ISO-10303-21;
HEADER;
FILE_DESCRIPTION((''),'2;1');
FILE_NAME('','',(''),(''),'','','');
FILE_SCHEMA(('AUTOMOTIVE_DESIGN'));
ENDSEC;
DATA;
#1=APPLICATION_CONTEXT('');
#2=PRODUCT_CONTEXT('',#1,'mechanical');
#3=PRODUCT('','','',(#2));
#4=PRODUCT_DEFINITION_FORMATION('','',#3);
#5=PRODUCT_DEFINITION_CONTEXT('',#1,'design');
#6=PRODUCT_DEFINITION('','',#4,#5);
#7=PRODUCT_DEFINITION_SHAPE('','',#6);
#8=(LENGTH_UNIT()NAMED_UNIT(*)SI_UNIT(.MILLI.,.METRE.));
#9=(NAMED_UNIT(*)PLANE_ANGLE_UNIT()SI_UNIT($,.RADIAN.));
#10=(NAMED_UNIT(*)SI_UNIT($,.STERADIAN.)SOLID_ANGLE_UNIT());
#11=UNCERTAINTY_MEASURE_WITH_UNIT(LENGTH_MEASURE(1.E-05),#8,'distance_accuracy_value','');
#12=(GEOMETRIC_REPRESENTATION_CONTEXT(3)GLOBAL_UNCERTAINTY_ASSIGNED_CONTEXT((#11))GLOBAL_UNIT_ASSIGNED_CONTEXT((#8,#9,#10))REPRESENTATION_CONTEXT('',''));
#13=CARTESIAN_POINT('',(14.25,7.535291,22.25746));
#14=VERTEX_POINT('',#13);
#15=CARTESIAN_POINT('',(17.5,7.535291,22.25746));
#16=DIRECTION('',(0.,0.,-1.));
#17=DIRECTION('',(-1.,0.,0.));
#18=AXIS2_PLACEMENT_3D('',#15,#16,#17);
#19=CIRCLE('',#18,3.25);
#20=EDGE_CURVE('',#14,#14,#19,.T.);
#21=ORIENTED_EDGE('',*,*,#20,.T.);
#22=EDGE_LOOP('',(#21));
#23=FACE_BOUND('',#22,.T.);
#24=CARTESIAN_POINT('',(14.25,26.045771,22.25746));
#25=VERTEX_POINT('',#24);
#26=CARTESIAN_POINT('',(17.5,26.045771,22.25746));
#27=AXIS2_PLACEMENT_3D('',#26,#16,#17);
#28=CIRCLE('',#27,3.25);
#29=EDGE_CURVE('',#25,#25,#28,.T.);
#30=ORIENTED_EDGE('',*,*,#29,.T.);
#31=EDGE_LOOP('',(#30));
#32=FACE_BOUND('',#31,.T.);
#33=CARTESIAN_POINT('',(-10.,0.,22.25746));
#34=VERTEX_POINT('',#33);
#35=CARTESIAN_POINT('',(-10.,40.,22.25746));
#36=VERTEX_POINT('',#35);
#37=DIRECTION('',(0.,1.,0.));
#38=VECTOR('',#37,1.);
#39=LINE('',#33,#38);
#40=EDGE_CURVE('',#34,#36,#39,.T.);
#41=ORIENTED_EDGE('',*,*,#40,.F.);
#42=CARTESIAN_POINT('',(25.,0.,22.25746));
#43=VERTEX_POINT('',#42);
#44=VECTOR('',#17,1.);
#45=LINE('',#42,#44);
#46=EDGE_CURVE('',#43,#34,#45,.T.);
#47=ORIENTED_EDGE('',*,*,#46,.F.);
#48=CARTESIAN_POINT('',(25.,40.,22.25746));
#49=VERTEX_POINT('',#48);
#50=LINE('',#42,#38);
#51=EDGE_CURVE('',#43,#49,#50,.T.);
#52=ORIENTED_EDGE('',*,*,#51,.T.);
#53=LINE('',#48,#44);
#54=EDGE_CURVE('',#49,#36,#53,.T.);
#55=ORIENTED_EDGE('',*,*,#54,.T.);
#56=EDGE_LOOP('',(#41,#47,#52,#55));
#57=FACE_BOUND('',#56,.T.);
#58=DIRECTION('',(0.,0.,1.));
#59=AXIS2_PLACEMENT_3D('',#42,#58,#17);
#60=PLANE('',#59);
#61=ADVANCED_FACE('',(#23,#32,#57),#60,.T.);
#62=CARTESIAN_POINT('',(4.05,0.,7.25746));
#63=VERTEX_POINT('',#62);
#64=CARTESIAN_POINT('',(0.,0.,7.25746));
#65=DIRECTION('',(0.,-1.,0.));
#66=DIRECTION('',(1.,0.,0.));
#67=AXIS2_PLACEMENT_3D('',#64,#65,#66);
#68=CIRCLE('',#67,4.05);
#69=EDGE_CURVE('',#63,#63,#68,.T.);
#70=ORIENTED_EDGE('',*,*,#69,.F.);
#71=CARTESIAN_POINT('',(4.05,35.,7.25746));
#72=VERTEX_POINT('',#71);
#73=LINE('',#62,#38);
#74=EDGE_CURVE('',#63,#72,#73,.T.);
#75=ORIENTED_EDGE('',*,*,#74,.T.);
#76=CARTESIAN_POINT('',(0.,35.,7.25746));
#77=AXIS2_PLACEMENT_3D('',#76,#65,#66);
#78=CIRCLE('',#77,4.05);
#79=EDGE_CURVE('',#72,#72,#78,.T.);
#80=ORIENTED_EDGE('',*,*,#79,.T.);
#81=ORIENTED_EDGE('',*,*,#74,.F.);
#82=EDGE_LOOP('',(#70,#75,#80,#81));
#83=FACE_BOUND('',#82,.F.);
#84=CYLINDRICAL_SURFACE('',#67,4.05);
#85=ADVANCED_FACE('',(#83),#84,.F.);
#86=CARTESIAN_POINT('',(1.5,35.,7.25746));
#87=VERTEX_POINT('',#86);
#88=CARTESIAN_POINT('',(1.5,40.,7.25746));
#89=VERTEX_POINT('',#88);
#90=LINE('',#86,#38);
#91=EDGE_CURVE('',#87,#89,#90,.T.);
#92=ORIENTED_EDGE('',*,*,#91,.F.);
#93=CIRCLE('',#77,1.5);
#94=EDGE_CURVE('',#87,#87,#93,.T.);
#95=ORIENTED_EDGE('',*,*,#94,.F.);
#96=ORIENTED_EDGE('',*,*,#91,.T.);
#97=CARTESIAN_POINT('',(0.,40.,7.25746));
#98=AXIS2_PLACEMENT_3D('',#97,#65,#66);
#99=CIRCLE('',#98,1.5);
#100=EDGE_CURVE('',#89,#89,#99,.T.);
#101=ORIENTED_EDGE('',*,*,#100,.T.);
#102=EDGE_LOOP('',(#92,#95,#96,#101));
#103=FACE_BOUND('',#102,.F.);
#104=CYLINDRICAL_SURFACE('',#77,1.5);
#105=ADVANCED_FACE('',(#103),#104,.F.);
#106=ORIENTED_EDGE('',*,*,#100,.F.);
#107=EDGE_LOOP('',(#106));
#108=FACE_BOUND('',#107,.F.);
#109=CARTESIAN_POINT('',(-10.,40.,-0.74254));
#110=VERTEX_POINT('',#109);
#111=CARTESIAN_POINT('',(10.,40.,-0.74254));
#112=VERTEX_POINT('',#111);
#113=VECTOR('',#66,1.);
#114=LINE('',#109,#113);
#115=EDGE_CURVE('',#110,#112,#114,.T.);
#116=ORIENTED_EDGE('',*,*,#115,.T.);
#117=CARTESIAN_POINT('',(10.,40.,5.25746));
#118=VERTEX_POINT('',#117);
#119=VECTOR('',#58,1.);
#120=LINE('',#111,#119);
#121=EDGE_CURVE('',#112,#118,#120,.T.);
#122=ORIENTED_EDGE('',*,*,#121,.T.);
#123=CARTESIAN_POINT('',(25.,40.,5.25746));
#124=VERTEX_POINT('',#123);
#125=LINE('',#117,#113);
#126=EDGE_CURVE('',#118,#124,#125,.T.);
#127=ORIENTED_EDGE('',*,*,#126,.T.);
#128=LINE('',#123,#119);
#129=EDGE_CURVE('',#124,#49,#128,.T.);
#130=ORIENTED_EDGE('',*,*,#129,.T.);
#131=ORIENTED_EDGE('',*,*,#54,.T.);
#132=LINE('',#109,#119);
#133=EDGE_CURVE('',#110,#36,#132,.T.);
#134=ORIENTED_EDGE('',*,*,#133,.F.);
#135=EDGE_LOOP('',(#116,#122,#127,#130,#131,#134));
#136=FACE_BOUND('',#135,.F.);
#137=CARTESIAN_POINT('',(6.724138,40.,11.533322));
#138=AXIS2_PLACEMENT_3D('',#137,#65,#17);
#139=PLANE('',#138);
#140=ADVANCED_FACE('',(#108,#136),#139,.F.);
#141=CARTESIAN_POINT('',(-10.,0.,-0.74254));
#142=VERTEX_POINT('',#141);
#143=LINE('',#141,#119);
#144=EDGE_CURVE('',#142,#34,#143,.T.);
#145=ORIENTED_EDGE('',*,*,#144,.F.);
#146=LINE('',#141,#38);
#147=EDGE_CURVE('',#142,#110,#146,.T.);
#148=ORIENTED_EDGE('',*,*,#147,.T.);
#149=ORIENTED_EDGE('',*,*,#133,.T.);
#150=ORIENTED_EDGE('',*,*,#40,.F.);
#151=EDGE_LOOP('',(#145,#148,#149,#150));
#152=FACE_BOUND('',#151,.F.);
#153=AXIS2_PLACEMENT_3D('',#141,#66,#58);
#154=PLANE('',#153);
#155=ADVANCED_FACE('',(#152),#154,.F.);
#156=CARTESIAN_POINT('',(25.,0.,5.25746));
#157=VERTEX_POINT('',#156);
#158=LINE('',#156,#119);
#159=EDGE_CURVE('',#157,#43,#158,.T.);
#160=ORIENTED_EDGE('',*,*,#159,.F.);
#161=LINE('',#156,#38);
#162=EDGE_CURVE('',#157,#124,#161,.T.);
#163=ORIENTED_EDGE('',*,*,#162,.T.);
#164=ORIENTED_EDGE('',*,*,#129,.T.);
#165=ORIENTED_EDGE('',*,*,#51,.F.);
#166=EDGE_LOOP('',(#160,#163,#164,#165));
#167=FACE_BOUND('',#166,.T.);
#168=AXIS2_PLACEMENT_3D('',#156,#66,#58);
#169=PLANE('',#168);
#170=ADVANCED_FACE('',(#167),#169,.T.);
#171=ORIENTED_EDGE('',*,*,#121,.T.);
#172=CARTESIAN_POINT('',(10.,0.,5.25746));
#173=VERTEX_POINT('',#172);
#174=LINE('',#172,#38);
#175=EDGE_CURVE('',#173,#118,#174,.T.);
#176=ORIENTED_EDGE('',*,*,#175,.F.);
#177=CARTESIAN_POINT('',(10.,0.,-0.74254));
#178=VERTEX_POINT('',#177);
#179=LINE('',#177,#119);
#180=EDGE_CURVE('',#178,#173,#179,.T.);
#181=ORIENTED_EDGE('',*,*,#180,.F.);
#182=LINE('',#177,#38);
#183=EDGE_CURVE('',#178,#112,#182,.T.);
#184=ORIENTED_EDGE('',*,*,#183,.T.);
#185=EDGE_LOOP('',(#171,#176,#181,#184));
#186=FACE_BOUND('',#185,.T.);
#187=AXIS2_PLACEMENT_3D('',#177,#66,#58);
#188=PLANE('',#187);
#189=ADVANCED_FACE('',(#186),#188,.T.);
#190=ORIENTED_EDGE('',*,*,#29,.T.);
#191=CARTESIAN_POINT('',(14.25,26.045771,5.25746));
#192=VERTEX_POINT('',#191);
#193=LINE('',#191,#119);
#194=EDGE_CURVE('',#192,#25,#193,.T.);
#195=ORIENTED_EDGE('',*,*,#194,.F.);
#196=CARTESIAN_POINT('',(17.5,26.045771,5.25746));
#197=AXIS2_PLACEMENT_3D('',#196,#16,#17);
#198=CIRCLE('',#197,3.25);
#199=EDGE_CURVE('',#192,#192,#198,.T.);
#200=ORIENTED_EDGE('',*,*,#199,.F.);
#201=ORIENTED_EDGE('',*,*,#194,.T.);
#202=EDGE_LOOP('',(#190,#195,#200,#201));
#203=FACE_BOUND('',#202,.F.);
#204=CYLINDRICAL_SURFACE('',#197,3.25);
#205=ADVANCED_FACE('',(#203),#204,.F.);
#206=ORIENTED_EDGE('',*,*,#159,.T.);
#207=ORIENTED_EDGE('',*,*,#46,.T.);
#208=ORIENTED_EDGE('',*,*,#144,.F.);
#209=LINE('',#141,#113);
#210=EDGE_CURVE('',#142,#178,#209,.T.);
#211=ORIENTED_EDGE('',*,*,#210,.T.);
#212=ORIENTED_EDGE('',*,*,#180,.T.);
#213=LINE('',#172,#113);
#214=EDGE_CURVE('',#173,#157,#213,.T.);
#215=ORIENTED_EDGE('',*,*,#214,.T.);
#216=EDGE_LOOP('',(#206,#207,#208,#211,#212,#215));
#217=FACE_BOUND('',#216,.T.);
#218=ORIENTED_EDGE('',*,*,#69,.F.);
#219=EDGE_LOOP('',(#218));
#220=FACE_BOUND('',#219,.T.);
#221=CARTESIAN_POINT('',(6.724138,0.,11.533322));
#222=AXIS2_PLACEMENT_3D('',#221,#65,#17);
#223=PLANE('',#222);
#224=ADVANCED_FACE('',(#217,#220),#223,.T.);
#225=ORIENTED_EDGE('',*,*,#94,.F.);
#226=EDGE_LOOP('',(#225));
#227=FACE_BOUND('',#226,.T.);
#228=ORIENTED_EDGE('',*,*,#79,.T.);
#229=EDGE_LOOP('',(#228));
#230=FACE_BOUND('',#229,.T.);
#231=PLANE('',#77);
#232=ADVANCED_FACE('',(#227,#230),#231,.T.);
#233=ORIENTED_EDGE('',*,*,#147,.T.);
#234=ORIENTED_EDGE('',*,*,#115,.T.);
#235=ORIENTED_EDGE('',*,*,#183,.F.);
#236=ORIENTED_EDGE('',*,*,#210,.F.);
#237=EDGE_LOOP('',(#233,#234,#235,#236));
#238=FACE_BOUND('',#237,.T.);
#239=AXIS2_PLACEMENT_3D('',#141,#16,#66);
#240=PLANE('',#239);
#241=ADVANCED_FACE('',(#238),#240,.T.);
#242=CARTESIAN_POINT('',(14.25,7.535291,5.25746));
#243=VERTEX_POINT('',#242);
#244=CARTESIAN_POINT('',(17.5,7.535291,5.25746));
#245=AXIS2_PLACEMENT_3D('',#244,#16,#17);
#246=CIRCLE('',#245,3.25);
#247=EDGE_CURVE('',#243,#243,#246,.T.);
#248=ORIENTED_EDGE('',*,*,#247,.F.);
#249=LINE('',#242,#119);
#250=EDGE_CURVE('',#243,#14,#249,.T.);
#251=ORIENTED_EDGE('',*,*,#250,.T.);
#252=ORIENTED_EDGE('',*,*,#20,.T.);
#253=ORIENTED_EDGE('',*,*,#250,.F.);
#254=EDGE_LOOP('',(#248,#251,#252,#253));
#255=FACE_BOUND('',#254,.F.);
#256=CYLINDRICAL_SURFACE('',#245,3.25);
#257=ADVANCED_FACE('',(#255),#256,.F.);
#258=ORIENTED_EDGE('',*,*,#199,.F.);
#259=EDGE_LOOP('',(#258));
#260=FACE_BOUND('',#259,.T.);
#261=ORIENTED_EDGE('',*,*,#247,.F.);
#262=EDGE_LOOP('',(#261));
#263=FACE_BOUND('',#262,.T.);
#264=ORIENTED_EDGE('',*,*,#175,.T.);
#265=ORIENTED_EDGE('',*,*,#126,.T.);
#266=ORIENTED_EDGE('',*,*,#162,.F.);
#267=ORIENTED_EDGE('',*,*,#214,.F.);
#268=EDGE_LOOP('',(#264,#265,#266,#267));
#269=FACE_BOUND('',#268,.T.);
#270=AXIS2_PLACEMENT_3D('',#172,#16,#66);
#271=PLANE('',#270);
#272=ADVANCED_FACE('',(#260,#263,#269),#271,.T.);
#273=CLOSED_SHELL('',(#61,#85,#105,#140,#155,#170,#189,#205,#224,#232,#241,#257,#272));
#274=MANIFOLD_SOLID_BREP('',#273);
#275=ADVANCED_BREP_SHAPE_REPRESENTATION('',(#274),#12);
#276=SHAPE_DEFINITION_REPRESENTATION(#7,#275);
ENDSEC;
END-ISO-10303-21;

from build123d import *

# Parameters (mm, degrees)
BOSS_EXTRUDE2_DEPTH = 40
SKETCH3_R           = 4.05
CUT_EXTRUDE1_DEPTH  = 35
CUT_EXTRUDE2_REACH  = 19
SKETCH4_R           = 3.25
SKETCH6_R           = 1.5
CUT_EXTRUDE3_DEPTH  = 10


with BuildPart() as part:
    # Sketch1 → Boss-Extrude2 (new body)
    with BuildSketch(Plane(origin=(0, 0, 0), x_dir=(1, 0, 0), z_dir=(0, 1, 0))):
        Polygon((-10, -5.257459708), (-10, 0.742540292), (10, 0.742540292), (10, -5.257459708), (25, -5.257459708), (25, -22.257459708), (-10, -22.257459708), align=None)
    extrude(amount=BOSS_EXTRUDE2_DEPTH)

    # Sketch3 → Cut-Extrude1 (cut)
    with BuildSketch(Plane.XZ):
        with Locations((0, 7.257459708)):
            Circle(SKETCH3_R)
    extrude(amount=-CUT_EXTRUDE1_DEPTH, mode=Mode.SUBTRACT)

    # Sketch4 → Cut-Extrude2 (cut, up to next)
    with BuildSketch(Plane(origin=(0, 0, 5.257459708), x_dir=(-1, 0, 0), z_dir=(0, 0, -1)), mode=Mode.PRIVATE) as cut_extrude2_sk1:
        with Locations((-17.5, 26.045770547)):
            Circle(SKETCH4_R)
    cut_extrude2_tool1 = extrude(cut_extrude2_sk1.sketch, amount=-CUT_EXTRUDE2_REACH, mode=Mode.PRIVATE) & part.part
    add(cut_extrude2_tool1.solids().sort_by_distance((17.5, 26.045771, 5.25746))[0], mode=Mode.SUBTRACT)
    # Sketch4 → Cut-Extrude2 (cut, up to next)
    with BuildSketch(Plane(origin=(0, 0, 5.257459708), x_dir=(-1, 0, 0), z_dir=(0, 0, -1)), mode=Mode.PRIVATE) as cut_extrude2_sk2:
        with Locations((-17.5, 7.535290978)):
            Circle(SKETCH4_R)
    cut_extrude2_tool2 = extrude(cut_extrude2_sk2.sketch, amount=-CUT_EXTRUDE2_REACH, mode=Mode.PRIVATE) & part.part
    add(cut_extrude2_tool2.solids().sort_by_distance((17.5, 7.535291, 5.25746))[0], mode=Mode.SUBTRACT)

    # Sketch6 → Cut-Extrude3 (cut)
    with BuildSketch(Plane.XZ.offset(-35)):
        with Locations((0, 7.257459708)):
            Circle(SKETCH6_R)
    extrude(amount=-CUT_EXTRUDE3_DEPTH, mode=Mode.SUBTRACT)


solid = part.part
